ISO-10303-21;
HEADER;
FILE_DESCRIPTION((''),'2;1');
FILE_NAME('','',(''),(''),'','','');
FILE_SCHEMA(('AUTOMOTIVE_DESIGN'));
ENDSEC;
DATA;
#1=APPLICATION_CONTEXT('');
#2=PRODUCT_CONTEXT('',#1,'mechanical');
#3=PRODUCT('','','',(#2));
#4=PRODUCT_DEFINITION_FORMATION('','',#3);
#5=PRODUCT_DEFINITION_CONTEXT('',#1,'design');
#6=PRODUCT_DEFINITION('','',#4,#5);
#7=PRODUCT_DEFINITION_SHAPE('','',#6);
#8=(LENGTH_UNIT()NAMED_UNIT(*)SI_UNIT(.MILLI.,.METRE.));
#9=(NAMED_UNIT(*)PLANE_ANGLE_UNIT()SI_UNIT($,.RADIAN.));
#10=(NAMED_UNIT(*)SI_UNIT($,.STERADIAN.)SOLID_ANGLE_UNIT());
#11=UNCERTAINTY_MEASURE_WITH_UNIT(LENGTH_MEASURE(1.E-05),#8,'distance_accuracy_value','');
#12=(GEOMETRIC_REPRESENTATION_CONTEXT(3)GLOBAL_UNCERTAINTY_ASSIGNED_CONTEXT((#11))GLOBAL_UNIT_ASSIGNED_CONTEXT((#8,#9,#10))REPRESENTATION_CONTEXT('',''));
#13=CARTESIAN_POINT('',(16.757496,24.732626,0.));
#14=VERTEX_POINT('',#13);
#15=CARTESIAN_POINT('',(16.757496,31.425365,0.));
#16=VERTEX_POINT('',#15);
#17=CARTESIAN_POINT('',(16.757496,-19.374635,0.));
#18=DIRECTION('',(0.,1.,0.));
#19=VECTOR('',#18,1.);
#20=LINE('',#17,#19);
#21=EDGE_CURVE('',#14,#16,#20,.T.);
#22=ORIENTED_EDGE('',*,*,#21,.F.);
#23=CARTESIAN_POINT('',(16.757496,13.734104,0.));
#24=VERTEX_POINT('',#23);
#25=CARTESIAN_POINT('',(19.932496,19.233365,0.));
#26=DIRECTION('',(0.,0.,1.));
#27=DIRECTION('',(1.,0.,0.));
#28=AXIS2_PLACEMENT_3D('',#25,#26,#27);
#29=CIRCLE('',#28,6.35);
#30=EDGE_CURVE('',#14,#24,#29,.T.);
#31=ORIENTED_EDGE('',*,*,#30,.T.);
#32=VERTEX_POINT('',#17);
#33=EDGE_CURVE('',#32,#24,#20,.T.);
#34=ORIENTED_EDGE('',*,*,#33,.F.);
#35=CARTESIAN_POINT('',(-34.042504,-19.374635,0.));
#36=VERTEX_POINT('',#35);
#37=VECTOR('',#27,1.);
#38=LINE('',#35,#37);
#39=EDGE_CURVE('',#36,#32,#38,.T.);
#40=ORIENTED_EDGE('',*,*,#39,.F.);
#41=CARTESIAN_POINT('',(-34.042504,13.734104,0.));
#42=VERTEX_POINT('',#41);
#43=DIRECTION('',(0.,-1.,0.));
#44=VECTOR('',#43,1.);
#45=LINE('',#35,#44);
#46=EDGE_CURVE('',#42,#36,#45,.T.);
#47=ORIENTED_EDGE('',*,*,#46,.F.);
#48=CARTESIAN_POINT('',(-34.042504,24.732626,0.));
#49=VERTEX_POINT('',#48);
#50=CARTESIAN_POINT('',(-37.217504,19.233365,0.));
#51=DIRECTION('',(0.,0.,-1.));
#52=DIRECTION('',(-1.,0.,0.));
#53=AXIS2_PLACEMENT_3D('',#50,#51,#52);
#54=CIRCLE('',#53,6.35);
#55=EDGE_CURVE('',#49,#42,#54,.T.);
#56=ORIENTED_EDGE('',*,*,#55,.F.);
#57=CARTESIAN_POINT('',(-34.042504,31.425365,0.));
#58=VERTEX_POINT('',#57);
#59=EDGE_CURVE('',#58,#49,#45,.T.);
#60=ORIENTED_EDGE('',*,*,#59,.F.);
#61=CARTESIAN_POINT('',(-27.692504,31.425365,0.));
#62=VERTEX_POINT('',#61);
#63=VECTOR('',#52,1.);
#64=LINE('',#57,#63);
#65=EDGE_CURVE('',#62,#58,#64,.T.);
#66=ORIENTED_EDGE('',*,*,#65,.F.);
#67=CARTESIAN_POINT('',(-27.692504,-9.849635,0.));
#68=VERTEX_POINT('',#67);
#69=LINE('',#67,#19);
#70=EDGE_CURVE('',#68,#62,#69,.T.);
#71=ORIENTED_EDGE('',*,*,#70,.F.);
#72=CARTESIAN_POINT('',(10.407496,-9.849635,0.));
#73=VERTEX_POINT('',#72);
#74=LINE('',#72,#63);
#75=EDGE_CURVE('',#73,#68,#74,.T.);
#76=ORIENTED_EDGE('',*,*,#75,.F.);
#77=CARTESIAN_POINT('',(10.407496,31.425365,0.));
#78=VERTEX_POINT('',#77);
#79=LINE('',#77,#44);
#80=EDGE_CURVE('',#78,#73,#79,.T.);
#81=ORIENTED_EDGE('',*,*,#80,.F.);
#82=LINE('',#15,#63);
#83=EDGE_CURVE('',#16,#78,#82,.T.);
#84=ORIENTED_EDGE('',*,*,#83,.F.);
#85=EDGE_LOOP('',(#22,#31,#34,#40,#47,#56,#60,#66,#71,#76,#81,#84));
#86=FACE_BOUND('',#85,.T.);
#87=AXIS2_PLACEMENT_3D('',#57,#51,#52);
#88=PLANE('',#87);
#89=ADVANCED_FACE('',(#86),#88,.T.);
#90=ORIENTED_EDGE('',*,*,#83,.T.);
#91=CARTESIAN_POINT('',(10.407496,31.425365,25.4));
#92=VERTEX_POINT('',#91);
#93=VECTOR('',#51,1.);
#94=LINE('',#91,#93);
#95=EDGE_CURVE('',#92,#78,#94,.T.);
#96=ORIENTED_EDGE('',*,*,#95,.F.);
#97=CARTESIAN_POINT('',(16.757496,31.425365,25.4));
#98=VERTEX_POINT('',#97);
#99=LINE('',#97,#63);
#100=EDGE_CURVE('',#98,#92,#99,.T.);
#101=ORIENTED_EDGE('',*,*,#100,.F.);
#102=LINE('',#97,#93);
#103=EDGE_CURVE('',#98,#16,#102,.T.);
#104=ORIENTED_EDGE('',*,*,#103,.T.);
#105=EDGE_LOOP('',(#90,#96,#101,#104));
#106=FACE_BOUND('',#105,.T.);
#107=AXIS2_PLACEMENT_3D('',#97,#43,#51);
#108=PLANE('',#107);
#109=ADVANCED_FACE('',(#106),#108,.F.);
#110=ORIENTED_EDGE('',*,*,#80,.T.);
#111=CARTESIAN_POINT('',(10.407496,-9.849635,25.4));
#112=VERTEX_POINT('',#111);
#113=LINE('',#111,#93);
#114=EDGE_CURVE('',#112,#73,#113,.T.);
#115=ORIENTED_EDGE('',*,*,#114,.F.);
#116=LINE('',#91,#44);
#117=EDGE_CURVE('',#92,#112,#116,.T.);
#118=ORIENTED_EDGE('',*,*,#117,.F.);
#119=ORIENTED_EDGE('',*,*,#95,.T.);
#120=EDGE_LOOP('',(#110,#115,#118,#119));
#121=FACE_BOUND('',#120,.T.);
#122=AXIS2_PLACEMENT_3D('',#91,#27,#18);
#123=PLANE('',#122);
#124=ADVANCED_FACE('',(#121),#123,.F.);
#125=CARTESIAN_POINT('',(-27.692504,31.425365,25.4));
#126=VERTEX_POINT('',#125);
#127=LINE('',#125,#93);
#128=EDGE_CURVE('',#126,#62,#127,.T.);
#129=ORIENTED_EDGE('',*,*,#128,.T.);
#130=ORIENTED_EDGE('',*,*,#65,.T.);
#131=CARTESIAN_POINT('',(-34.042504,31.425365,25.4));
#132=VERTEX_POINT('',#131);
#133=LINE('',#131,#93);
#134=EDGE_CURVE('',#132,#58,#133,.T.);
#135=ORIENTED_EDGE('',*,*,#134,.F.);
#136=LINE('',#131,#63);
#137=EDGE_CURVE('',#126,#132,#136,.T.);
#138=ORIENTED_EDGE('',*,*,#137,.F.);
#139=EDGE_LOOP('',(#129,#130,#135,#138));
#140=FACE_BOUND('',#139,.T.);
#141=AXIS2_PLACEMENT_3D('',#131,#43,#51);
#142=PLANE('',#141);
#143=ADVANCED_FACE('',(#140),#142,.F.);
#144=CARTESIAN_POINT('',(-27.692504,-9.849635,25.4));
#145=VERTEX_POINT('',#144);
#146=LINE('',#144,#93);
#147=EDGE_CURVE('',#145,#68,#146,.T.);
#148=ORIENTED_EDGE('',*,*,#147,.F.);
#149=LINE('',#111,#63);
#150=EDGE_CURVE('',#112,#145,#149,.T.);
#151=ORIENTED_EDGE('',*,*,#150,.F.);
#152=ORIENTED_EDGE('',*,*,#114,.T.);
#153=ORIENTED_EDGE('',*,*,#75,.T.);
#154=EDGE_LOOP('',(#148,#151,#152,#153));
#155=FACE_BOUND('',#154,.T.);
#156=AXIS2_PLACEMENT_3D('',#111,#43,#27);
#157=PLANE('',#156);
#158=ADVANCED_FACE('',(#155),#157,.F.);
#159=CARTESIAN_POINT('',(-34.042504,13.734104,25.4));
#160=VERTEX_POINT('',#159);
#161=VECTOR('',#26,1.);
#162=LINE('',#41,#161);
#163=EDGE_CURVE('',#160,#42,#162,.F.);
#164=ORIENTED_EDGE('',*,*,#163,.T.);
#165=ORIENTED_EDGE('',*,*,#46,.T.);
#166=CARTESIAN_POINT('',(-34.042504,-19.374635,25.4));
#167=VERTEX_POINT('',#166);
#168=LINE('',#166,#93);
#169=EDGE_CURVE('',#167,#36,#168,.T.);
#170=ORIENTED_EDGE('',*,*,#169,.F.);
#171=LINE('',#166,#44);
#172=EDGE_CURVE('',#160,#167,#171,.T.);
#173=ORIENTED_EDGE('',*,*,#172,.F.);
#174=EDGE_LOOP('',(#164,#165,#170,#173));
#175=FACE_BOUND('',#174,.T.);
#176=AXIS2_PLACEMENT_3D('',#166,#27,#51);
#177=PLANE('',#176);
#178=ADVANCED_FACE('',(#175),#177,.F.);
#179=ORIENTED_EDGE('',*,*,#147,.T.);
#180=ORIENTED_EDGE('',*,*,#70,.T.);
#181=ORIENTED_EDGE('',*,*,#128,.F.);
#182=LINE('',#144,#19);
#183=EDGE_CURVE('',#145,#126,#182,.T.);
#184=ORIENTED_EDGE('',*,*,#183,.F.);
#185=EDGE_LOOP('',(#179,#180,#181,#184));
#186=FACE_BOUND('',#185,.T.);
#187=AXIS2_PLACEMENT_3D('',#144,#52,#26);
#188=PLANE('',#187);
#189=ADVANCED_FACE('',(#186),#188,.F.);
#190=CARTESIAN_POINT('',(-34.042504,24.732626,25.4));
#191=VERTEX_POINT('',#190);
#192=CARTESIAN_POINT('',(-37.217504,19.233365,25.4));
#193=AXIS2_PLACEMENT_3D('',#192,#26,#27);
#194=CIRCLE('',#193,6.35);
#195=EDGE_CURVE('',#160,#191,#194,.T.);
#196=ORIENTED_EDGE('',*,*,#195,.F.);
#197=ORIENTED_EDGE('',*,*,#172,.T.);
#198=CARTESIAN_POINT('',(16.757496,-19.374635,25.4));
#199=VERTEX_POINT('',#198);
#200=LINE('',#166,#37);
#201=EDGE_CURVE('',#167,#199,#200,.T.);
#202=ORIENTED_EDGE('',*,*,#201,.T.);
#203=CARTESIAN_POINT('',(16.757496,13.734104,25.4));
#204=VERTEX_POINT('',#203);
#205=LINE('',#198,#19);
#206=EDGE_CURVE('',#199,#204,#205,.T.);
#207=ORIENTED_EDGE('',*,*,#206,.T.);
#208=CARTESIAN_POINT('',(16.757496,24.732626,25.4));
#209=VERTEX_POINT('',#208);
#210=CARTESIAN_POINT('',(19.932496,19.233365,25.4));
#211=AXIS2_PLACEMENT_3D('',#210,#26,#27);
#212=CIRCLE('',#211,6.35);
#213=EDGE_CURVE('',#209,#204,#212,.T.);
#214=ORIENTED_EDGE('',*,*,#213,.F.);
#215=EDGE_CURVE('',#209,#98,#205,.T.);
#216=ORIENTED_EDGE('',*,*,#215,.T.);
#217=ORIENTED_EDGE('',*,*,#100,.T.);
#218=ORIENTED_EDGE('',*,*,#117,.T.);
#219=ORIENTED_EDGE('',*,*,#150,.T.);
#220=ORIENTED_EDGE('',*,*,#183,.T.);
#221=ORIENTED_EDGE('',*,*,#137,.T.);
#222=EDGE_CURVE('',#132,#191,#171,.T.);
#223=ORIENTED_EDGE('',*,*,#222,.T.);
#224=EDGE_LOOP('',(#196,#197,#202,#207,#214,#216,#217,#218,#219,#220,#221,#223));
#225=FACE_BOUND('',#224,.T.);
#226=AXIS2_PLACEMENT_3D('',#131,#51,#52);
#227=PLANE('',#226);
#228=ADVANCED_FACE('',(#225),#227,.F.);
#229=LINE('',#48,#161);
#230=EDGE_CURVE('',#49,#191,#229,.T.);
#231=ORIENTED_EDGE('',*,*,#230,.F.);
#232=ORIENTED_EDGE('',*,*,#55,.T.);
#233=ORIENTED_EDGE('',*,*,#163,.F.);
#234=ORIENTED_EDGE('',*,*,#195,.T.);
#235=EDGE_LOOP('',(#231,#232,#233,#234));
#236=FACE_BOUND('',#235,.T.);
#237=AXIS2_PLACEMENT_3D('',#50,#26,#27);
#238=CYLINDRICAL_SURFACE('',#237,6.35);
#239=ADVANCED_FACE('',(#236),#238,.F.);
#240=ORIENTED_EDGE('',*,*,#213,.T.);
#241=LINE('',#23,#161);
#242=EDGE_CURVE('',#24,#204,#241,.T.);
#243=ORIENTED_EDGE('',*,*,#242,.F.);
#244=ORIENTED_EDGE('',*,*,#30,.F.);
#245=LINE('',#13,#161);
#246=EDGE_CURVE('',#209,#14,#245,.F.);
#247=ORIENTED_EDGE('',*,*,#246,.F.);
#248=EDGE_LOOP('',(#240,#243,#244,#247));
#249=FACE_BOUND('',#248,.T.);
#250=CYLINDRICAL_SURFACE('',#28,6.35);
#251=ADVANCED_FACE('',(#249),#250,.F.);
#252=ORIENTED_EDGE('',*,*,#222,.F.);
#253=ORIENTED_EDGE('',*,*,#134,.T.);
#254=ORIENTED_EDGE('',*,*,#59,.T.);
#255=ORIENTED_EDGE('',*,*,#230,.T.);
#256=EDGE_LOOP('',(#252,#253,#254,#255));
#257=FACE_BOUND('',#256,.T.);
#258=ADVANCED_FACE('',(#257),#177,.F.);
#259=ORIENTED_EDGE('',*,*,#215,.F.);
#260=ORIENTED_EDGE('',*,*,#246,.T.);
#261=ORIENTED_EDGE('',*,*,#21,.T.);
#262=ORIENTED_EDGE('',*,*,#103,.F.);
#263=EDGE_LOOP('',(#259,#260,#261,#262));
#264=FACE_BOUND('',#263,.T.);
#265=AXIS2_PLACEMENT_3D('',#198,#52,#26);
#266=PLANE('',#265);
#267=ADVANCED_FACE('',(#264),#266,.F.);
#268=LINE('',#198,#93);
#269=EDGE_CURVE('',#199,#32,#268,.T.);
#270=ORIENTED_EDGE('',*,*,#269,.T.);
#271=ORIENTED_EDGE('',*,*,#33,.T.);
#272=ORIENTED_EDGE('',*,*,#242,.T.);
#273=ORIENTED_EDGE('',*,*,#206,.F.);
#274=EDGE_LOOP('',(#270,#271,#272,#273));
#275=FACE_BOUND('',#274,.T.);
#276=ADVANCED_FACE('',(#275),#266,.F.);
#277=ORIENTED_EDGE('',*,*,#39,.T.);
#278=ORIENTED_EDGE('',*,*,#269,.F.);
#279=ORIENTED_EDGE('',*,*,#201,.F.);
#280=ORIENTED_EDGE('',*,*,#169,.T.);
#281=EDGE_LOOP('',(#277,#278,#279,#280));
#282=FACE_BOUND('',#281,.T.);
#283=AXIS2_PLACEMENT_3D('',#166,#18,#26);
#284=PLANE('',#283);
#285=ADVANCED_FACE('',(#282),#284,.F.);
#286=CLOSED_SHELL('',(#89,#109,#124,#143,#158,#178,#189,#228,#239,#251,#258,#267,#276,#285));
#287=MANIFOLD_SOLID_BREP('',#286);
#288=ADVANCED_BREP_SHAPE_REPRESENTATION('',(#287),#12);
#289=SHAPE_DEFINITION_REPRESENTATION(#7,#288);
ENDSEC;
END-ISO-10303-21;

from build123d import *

# Parameters (mm, degrees)
BOSS_EXTRUDE1_DEPTH = 25.4
SKETCH2_R           = 6.35
CUT_EXTRUDE1_DEPTH  = 25.4


with BuildPart() as part:
    # Sketch1 → Boss-Extrude1 (new body)
    with BuildSketch(Plane.XY):
        Polygon((-34.042504308, -19.37463512), (16.757495692, -19.37463512), (16.757495692, 31.42536488), (10.407495692, 31.42536488), (10.407495692, -9.84963512), (-27.692504308, -9.84963512), (-27.692504308, 31.42536488), (-34.042504308, 31.42536488), align=None)
    extrude(amount=BOSS_EXTRUDE1_DEPTH)

    # Sketch2 → Cut-Extrude1 (cut)
    with BuildSketch(Plane.XY.offset(25.4)):
        with Locations((-37.217504308, 19.23336488)):
            Circle(SKETCH2_R)
        with Locations((19.932495692, 19.23336488)):
            Circle(SKETCH2_R)
    extrude(amount=-CUT_EXTRUDE1_DEPTH, mode=Mode.SUBTRACT)


solid = part.part
